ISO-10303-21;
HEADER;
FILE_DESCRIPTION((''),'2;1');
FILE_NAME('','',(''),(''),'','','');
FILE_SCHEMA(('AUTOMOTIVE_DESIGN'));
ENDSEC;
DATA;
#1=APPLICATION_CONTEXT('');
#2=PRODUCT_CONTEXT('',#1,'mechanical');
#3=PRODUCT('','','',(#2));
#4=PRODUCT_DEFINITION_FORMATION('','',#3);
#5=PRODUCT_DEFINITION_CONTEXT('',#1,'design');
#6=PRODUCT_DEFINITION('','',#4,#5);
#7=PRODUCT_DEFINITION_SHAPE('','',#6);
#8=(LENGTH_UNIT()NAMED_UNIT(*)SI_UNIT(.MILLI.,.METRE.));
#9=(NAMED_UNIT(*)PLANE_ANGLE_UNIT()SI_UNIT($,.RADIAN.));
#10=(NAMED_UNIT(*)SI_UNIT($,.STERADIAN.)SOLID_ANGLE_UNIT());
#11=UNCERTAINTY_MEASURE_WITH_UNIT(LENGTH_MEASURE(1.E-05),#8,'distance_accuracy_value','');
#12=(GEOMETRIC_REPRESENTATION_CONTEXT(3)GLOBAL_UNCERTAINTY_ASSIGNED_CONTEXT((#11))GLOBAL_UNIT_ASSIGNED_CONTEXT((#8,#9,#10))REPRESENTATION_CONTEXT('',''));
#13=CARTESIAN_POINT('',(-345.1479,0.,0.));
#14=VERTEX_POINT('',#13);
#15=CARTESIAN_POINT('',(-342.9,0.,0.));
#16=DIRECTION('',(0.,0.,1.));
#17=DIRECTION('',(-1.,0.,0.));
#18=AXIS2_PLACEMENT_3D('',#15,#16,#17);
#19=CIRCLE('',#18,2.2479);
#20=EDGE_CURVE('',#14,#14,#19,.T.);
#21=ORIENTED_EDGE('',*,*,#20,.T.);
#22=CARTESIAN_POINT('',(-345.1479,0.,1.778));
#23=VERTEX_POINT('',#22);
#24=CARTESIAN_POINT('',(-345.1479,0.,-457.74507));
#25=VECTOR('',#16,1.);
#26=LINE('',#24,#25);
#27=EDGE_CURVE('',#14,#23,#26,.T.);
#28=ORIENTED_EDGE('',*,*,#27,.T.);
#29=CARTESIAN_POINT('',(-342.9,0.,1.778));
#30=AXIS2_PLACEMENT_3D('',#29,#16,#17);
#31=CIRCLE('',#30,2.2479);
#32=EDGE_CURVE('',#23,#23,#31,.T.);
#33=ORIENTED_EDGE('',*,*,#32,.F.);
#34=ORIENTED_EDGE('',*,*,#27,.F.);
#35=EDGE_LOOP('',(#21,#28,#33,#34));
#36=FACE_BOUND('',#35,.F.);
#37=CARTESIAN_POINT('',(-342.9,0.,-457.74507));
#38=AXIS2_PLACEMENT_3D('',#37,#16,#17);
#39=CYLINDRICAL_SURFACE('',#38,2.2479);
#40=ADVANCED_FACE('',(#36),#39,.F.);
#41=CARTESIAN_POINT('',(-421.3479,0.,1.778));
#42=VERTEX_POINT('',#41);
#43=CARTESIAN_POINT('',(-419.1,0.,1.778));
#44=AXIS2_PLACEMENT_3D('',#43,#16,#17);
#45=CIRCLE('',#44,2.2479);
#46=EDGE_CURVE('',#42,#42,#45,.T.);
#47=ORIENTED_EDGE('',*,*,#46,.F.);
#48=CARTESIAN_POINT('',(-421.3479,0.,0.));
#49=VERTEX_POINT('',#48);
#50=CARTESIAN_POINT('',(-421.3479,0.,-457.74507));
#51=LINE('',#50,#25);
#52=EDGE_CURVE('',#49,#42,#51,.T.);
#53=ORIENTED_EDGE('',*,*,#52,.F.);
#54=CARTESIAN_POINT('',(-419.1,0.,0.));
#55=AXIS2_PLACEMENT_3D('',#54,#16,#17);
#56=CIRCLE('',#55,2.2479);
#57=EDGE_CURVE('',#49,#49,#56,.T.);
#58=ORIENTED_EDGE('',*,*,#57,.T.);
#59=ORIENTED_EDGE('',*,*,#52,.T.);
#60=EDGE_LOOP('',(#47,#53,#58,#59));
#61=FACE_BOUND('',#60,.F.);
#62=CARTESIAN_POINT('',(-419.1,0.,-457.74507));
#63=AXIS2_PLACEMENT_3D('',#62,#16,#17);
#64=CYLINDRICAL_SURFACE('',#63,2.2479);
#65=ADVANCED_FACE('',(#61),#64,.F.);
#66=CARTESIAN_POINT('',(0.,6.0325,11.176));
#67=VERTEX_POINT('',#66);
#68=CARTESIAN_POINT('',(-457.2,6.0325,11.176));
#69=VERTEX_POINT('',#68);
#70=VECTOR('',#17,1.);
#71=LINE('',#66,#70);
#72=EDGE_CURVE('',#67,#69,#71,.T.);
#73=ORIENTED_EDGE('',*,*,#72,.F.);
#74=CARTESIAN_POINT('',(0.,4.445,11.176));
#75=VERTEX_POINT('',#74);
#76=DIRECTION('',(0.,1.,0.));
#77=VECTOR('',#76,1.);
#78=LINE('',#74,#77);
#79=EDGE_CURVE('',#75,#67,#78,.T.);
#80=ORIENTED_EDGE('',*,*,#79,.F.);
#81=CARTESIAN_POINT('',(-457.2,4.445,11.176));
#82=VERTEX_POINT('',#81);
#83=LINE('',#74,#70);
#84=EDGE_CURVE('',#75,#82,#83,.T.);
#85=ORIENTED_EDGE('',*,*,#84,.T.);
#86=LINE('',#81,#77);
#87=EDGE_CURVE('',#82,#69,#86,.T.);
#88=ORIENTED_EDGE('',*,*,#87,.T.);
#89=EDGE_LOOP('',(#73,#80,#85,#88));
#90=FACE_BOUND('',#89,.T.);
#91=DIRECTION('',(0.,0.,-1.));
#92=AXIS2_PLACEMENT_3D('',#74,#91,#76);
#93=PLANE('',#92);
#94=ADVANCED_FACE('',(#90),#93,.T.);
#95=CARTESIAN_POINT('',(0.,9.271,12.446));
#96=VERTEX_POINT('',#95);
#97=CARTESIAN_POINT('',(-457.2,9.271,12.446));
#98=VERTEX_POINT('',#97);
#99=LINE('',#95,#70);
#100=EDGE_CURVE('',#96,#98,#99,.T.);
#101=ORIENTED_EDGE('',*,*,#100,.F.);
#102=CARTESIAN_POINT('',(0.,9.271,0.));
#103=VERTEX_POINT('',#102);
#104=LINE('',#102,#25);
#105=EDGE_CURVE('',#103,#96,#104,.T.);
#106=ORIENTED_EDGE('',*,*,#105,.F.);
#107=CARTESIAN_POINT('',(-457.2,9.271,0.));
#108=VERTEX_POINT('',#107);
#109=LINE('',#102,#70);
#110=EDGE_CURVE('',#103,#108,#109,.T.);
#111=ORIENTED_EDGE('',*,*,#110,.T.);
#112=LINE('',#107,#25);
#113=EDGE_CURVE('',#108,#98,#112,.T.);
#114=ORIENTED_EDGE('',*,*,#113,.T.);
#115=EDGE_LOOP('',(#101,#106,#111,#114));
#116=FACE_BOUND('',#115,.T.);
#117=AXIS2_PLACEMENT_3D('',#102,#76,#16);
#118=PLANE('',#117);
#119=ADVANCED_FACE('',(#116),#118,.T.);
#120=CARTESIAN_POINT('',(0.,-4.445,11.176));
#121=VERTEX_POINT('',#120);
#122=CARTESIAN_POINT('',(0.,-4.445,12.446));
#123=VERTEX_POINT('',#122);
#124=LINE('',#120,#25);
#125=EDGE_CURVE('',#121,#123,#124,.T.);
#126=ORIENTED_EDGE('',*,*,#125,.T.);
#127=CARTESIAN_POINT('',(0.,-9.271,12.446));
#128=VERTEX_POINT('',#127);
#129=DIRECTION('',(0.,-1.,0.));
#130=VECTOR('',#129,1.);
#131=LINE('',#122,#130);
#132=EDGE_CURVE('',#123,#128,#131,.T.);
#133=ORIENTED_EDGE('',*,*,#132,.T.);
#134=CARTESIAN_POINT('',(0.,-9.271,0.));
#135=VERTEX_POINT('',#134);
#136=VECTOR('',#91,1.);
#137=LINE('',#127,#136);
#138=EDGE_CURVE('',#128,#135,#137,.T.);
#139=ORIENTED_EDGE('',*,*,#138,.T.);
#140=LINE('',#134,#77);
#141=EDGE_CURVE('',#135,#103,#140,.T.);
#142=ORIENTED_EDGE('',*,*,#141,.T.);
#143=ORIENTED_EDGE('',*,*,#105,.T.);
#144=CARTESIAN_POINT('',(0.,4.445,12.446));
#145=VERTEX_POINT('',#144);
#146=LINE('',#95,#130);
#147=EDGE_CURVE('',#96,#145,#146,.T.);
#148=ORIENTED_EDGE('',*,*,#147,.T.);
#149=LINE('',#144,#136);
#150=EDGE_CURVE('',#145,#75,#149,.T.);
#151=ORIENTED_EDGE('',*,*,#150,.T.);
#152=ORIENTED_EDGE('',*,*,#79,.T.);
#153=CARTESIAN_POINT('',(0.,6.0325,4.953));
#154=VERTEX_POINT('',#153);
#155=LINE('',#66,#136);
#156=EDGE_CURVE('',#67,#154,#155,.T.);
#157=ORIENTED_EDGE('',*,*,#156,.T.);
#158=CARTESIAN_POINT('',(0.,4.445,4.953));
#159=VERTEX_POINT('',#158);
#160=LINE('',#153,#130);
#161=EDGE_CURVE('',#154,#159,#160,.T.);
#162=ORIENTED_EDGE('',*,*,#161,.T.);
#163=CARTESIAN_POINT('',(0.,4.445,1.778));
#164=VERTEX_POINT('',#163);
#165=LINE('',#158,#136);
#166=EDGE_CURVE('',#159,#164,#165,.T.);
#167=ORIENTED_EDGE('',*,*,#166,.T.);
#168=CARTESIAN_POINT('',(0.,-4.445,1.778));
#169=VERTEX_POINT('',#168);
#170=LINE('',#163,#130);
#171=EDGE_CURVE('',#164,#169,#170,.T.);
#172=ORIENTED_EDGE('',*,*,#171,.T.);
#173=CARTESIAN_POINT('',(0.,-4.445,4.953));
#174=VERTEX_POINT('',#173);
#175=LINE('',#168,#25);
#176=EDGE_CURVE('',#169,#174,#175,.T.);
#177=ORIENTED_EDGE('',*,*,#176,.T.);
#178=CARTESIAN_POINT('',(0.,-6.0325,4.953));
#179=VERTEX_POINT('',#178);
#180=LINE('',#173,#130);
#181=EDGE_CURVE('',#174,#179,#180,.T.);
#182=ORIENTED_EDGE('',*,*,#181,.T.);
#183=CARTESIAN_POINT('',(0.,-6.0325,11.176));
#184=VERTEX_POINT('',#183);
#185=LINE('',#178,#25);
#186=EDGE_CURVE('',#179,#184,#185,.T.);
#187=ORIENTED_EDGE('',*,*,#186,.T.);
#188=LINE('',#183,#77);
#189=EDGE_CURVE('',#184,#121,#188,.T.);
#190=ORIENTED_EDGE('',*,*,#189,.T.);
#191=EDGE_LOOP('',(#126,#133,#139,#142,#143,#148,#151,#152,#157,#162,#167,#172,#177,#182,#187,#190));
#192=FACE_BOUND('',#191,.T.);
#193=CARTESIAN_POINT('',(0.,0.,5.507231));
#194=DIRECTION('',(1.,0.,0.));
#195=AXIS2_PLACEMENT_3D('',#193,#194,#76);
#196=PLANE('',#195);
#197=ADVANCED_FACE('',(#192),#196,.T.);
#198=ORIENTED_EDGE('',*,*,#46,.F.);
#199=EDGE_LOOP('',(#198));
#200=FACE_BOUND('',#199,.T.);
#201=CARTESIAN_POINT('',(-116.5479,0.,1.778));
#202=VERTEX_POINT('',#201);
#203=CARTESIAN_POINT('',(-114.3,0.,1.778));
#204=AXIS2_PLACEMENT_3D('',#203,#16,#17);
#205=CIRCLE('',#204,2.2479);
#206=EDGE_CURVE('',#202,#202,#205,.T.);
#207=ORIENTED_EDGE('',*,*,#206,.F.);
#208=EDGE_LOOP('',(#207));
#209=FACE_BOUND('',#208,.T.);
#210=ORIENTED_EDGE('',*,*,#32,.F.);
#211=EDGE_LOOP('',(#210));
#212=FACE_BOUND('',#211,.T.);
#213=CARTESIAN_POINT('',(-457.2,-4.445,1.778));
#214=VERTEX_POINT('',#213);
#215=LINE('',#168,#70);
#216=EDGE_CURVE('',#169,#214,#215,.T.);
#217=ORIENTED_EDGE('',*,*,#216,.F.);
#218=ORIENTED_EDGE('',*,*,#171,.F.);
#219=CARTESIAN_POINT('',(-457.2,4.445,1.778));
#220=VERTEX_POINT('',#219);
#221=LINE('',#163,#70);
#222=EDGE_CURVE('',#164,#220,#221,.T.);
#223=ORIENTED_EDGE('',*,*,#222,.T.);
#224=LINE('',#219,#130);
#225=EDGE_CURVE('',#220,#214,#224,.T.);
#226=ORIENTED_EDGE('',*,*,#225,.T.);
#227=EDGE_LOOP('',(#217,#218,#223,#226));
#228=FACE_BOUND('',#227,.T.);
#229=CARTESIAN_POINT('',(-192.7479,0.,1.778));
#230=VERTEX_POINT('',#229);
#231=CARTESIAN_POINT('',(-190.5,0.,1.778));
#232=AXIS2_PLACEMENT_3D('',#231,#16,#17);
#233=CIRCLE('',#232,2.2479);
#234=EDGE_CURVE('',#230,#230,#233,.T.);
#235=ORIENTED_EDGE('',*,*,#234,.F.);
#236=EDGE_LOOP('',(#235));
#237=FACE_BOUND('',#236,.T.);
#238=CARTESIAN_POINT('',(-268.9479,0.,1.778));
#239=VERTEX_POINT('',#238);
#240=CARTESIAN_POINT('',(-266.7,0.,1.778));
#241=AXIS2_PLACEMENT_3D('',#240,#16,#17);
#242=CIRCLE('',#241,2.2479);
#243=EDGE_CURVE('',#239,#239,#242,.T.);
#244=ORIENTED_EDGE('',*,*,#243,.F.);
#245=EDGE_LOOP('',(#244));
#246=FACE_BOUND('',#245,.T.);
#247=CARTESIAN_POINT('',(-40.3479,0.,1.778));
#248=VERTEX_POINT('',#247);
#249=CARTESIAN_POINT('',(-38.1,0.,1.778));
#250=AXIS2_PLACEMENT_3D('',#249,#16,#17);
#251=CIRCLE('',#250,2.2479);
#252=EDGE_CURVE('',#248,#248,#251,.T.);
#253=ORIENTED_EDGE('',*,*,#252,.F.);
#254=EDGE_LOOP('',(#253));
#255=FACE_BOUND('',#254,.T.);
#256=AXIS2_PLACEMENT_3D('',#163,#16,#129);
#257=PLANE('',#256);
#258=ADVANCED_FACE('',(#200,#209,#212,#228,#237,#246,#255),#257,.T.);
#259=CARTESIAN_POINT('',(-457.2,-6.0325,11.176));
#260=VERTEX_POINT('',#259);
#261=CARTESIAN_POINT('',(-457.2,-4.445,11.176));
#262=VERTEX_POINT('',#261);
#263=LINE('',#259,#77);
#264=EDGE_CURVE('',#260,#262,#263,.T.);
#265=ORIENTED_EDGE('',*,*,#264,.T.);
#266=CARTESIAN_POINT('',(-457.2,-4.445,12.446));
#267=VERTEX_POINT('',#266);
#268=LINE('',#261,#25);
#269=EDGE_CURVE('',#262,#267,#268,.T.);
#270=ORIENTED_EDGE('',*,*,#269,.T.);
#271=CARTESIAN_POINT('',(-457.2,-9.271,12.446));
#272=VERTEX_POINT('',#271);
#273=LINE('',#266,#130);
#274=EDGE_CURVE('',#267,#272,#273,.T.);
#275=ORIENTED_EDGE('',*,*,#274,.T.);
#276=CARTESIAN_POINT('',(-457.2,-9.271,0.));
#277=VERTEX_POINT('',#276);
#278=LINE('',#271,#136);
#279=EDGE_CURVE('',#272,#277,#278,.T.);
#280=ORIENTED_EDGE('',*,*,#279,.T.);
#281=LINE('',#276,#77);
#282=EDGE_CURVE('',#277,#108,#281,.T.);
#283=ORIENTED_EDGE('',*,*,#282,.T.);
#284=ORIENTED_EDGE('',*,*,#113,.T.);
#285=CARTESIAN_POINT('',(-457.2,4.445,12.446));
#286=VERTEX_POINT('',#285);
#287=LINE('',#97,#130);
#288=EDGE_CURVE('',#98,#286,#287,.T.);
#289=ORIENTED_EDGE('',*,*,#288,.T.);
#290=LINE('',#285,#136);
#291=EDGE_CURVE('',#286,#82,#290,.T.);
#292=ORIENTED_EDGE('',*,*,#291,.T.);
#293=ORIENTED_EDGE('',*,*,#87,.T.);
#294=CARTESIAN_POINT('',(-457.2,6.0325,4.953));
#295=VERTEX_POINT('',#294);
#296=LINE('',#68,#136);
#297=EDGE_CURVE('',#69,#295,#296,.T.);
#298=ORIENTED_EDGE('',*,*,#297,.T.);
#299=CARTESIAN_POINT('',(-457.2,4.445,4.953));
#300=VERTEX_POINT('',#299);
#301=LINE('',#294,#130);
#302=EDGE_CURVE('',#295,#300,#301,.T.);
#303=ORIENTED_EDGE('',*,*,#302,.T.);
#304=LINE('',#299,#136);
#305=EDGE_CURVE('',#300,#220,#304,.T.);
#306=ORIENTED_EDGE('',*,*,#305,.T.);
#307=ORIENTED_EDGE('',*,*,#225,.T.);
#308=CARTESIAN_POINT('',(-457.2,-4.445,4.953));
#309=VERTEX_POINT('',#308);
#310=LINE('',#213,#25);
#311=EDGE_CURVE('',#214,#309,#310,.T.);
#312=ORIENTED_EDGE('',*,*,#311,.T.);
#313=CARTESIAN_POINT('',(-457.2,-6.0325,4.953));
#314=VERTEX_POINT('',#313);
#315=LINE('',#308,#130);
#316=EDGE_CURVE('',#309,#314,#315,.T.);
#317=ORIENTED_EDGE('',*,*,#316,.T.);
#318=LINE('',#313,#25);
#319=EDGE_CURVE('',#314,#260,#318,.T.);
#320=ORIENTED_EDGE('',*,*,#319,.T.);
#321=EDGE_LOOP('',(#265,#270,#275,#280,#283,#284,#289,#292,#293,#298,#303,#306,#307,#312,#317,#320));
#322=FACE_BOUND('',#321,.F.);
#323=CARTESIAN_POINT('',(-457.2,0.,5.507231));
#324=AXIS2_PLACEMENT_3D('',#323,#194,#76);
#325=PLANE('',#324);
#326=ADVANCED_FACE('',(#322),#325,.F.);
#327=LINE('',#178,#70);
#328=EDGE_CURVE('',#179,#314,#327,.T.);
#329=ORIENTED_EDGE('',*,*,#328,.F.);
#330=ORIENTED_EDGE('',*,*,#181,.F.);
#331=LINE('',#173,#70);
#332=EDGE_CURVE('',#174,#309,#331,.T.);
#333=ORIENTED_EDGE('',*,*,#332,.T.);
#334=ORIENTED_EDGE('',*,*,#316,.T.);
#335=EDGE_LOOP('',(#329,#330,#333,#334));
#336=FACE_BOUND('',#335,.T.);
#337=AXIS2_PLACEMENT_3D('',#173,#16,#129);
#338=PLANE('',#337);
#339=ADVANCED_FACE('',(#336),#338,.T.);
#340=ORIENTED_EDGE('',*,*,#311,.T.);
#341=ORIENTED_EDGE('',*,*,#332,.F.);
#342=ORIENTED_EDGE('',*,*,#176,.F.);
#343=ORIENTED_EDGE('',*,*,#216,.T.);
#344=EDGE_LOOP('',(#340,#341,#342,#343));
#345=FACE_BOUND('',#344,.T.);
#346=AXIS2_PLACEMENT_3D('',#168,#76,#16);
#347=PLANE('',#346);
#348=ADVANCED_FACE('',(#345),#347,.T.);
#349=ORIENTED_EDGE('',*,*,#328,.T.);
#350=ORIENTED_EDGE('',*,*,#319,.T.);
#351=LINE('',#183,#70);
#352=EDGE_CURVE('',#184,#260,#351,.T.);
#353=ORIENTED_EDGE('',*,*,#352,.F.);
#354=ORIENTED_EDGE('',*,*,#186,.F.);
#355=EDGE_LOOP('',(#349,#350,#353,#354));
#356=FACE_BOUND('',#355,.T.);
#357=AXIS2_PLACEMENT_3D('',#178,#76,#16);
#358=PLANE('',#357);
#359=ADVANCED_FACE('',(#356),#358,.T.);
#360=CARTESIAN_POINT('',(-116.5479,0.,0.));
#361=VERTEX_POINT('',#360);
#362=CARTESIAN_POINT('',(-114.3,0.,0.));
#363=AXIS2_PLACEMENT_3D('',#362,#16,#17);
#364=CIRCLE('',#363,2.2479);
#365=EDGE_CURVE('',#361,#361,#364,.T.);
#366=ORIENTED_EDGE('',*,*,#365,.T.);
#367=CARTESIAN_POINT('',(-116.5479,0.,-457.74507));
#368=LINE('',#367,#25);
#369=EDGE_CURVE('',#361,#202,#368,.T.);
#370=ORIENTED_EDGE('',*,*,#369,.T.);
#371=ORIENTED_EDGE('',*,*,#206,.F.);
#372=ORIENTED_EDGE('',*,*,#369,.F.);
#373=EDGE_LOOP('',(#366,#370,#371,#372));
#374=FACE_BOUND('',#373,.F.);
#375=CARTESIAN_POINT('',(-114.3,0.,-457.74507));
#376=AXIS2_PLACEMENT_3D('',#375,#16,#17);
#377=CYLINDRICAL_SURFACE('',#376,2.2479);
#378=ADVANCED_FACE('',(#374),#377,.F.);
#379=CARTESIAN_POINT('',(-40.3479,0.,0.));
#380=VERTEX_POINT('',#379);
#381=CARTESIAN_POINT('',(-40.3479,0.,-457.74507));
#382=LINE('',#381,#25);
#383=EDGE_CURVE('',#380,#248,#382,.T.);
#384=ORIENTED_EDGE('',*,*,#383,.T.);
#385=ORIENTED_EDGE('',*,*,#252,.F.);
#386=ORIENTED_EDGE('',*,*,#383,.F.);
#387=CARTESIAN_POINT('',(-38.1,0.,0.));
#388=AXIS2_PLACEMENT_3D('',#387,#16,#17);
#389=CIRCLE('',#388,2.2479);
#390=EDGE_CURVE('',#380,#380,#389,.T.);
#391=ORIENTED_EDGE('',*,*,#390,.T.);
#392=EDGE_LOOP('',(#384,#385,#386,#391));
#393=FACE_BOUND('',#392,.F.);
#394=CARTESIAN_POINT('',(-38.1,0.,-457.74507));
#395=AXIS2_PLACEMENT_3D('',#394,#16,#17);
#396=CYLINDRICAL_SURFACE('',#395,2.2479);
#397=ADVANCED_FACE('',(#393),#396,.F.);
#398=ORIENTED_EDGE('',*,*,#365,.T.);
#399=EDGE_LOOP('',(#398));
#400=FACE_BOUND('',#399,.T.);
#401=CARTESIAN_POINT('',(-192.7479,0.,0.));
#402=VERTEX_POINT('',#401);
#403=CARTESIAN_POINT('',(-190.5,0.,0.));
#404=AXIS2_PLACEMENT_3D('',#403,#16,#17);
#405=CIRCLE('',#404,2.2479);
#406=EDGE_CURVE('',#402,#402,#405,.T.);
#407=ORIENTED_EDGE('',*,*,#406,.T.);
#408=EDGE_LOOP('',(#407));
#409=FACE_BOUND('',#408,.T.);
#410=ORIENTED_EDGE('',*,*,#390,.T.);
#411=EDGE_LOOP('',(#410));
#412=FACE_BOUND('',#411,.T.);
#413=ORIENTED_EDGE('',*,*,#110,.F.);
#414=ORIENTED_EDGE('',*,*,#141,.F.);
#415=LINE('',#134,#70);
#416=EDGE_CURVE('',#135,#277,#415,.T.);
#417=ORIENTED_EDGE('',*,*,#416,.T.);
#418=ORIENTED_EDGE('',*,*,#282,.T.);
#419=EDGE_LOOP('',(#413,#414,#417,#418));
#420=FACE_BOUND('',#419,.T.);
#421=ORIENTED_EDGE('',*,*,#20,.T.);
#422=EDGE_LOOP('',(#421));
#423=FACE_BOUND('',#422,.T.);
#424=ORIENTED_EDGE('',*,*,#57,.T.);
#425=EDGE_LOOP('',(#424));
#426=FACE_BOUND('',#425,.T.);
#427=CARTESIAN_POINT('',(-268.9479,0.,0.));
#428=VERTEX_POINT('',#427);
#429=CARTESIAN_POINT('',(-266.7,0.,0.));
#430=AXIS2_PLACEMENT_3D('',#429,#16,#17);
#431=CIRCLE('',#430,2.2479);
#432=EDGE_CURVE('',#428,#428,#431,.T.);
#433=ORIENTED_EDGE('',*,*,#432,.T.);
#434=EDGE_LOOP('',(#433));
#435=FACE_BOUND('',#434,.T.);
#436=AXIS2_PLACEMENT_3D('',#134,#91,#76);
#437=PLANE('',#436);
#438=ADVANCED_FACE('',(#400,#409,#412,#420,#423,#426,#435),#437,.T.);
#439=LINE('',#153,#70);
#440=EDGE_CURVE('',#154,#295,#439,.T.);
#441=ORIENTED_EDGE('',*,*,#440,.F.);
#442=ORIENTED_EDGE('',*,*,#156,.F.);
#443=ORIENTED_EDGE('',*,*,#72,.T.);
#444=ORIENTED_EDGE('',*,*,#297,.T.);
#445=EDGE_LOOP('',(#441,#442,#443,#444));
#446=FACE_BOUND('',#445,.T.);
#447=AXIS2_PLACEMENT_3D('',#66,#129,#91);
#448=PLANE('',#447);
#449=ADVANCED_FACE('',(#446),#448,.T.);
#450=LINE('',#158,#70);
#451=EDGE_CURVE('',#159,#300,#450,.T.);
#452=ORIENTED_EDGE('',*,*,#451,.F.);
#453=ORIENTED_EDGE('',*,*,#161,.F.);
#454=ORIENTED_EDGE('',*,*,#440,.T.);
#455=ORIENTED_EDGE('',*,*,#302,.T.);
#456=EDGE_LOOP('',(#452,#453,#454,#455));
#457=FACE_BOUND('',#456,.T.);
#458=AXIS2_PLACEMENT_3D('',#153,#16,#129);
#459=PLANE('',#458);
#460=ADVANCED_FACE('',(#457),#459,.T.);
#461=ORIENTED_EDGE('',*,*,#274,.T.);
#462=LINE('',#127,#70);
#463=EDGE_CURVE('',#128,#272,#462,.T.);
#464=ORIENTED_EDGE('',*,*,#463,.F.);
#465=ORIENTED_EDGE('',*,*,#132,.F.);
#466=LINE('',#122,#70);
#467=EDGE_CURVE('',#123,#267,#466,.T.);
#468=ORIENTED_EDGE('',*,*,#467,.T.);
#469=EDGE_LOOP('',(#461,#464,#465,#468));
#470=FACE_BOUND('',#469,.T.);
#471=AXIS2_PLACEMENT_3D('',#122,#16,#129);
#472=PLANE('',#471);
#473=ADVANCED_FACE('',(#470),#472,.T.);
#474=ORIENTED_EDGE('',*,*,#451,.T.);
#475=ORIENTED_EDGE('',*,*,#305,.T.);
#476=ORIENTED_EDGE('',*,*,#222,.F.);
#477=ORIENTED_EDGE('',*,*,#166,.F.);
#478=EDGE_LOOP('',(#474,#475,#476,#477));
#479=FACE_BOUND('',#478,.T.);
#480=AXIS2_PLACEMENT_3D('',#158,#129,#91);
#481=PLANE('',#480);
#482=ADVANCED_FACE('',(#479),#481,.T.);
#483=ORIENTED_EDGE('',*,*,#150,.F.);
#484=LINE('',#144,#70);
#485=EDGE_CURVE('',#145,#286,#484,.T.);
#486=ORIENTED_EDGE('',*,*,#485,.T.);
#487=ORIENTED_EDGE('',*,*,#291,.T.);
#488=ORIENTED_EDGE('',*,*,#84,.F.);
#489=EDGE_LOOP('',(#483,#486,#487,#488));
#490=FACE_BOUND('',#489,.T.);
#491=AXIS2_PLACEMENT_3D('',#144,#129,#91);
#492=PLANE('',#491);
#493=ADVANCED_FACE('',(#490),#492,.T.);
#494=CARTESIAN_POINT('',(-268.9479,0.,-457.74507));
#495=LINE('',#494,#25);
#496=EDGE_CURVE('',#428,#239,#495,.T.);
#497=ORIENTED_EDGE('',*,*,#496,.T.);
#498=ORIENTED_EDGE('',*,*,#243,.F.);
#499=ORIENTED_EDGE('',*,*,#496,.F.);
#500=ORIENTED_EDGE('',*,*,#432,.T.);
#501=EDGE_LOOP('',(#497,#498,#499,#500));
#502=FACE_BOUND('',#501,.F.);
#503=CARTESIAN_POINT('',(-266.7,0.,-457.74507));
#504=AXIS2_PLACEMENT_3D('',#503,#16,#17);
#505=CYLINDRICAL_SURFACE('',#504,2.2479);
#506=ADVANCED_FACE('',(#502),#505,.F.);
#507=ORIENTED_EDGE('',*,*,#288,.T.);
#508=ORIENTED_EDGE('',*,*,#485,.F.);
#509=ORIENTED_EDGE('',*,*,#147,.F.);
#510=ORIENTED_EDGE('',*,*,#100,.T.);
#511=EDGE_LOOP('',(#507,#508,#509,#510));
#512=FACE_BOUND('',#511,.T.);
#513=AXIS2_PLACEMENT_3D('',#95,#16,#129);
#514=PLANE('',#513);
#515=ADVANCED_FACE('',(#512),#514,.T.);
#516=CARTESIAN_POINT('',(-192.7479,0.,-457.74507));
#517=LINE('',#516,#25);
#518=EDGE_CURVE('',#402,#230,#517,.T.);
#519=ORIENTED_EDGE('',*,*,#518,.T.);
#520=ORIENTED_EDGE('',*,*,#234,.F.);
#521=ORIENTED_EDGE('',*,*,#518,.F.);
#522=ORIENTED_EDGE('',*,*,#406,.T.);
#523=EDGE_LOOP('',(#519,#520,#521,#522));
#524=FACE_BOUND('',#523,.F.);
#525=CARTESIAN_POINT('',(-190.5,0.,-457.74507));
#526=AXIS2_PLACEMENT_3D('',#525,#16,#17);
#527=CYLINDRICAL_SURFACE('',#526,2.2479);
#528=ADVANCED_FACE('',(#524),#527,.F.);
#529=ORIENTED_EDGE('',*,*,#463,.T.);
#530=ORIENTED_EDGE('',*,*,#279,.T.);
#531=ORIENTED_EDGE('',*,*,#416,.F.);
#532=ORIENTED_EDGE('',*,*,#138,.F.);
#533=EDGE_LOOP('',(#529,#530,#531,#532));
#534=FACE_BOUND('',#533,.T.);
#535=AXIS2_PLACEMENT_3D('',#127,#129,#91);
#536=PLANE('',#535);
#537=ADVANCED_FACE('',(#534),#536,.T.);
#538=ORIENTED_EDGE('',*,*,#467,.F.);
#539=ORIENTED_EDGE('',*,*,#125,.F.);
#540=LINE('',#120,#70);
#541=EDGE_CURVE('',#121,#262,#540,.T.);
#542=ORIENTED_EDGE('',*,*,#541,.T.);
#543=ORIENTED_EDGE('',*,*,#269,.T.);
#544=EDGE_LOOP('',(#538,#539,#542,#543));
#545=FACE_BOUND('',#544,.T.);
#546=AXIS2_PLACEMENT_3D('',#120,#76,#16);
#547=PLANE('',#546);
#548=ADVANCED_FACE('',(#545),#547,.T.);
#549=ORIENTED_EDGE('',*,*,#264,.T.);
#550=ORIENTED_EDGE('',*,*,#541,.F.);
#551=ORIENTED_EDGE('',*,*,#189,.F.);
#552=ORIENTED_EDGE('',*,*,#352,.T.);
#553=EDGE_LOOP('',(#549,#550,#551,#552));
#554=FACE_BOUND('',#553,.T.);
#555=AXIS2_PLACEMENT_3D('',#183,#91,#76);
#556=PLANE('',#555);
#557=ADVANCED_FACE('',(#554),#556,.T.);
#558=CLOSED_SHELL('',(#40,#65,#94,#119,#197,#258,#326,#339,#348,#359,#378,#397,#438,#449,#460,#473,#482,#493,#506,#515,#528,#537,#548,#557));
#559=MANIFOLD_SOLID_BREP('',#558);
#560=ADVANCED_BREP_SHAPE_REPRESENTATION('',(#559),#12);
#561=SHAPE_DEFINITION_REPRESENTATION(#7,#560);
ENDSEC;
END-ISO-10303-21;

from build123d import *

# Parameters (mm, degrees)
F1_DEPTH = 457.2
F3_D     = 4.4958


with BuildPart() as f1:
    # F0 (on Right) → F1 (new body)
    with BuildSketch(Plane.YZ):
        Polygon((-9.271, 0), (0, 0), (9.271, 0), (9.271, 12.446), (4.445, 12.446), (4.445, 11.176), (6.0325, 11.176), (6.0325, 4.953), (4.445, 4.953), (4.445, 1.778), (0, 1.778), (-4.445, 1.778), (-4.445, 4.953), (-6.0325, 4.953), (-6.0325, 11.176), (-4.445, 11.176), (-4.445, 12.446), (-9.271, 12.446), align=None)
    extrude(amount=-F1_DEPTH)

    # F3 (through all)
    with Locations(Plane(origin=(0, 0, 0), x_dir=(1, 0, 0), z_dir=(0, 0, -1))):
        with Locations((-38.1, 0), (-114.3, 0), (-190.5, 0), (-266.7, 0), (-342.9, 0), (-419.1, 0)):
            Hole(F3_D / 2)


solid = f1.part
